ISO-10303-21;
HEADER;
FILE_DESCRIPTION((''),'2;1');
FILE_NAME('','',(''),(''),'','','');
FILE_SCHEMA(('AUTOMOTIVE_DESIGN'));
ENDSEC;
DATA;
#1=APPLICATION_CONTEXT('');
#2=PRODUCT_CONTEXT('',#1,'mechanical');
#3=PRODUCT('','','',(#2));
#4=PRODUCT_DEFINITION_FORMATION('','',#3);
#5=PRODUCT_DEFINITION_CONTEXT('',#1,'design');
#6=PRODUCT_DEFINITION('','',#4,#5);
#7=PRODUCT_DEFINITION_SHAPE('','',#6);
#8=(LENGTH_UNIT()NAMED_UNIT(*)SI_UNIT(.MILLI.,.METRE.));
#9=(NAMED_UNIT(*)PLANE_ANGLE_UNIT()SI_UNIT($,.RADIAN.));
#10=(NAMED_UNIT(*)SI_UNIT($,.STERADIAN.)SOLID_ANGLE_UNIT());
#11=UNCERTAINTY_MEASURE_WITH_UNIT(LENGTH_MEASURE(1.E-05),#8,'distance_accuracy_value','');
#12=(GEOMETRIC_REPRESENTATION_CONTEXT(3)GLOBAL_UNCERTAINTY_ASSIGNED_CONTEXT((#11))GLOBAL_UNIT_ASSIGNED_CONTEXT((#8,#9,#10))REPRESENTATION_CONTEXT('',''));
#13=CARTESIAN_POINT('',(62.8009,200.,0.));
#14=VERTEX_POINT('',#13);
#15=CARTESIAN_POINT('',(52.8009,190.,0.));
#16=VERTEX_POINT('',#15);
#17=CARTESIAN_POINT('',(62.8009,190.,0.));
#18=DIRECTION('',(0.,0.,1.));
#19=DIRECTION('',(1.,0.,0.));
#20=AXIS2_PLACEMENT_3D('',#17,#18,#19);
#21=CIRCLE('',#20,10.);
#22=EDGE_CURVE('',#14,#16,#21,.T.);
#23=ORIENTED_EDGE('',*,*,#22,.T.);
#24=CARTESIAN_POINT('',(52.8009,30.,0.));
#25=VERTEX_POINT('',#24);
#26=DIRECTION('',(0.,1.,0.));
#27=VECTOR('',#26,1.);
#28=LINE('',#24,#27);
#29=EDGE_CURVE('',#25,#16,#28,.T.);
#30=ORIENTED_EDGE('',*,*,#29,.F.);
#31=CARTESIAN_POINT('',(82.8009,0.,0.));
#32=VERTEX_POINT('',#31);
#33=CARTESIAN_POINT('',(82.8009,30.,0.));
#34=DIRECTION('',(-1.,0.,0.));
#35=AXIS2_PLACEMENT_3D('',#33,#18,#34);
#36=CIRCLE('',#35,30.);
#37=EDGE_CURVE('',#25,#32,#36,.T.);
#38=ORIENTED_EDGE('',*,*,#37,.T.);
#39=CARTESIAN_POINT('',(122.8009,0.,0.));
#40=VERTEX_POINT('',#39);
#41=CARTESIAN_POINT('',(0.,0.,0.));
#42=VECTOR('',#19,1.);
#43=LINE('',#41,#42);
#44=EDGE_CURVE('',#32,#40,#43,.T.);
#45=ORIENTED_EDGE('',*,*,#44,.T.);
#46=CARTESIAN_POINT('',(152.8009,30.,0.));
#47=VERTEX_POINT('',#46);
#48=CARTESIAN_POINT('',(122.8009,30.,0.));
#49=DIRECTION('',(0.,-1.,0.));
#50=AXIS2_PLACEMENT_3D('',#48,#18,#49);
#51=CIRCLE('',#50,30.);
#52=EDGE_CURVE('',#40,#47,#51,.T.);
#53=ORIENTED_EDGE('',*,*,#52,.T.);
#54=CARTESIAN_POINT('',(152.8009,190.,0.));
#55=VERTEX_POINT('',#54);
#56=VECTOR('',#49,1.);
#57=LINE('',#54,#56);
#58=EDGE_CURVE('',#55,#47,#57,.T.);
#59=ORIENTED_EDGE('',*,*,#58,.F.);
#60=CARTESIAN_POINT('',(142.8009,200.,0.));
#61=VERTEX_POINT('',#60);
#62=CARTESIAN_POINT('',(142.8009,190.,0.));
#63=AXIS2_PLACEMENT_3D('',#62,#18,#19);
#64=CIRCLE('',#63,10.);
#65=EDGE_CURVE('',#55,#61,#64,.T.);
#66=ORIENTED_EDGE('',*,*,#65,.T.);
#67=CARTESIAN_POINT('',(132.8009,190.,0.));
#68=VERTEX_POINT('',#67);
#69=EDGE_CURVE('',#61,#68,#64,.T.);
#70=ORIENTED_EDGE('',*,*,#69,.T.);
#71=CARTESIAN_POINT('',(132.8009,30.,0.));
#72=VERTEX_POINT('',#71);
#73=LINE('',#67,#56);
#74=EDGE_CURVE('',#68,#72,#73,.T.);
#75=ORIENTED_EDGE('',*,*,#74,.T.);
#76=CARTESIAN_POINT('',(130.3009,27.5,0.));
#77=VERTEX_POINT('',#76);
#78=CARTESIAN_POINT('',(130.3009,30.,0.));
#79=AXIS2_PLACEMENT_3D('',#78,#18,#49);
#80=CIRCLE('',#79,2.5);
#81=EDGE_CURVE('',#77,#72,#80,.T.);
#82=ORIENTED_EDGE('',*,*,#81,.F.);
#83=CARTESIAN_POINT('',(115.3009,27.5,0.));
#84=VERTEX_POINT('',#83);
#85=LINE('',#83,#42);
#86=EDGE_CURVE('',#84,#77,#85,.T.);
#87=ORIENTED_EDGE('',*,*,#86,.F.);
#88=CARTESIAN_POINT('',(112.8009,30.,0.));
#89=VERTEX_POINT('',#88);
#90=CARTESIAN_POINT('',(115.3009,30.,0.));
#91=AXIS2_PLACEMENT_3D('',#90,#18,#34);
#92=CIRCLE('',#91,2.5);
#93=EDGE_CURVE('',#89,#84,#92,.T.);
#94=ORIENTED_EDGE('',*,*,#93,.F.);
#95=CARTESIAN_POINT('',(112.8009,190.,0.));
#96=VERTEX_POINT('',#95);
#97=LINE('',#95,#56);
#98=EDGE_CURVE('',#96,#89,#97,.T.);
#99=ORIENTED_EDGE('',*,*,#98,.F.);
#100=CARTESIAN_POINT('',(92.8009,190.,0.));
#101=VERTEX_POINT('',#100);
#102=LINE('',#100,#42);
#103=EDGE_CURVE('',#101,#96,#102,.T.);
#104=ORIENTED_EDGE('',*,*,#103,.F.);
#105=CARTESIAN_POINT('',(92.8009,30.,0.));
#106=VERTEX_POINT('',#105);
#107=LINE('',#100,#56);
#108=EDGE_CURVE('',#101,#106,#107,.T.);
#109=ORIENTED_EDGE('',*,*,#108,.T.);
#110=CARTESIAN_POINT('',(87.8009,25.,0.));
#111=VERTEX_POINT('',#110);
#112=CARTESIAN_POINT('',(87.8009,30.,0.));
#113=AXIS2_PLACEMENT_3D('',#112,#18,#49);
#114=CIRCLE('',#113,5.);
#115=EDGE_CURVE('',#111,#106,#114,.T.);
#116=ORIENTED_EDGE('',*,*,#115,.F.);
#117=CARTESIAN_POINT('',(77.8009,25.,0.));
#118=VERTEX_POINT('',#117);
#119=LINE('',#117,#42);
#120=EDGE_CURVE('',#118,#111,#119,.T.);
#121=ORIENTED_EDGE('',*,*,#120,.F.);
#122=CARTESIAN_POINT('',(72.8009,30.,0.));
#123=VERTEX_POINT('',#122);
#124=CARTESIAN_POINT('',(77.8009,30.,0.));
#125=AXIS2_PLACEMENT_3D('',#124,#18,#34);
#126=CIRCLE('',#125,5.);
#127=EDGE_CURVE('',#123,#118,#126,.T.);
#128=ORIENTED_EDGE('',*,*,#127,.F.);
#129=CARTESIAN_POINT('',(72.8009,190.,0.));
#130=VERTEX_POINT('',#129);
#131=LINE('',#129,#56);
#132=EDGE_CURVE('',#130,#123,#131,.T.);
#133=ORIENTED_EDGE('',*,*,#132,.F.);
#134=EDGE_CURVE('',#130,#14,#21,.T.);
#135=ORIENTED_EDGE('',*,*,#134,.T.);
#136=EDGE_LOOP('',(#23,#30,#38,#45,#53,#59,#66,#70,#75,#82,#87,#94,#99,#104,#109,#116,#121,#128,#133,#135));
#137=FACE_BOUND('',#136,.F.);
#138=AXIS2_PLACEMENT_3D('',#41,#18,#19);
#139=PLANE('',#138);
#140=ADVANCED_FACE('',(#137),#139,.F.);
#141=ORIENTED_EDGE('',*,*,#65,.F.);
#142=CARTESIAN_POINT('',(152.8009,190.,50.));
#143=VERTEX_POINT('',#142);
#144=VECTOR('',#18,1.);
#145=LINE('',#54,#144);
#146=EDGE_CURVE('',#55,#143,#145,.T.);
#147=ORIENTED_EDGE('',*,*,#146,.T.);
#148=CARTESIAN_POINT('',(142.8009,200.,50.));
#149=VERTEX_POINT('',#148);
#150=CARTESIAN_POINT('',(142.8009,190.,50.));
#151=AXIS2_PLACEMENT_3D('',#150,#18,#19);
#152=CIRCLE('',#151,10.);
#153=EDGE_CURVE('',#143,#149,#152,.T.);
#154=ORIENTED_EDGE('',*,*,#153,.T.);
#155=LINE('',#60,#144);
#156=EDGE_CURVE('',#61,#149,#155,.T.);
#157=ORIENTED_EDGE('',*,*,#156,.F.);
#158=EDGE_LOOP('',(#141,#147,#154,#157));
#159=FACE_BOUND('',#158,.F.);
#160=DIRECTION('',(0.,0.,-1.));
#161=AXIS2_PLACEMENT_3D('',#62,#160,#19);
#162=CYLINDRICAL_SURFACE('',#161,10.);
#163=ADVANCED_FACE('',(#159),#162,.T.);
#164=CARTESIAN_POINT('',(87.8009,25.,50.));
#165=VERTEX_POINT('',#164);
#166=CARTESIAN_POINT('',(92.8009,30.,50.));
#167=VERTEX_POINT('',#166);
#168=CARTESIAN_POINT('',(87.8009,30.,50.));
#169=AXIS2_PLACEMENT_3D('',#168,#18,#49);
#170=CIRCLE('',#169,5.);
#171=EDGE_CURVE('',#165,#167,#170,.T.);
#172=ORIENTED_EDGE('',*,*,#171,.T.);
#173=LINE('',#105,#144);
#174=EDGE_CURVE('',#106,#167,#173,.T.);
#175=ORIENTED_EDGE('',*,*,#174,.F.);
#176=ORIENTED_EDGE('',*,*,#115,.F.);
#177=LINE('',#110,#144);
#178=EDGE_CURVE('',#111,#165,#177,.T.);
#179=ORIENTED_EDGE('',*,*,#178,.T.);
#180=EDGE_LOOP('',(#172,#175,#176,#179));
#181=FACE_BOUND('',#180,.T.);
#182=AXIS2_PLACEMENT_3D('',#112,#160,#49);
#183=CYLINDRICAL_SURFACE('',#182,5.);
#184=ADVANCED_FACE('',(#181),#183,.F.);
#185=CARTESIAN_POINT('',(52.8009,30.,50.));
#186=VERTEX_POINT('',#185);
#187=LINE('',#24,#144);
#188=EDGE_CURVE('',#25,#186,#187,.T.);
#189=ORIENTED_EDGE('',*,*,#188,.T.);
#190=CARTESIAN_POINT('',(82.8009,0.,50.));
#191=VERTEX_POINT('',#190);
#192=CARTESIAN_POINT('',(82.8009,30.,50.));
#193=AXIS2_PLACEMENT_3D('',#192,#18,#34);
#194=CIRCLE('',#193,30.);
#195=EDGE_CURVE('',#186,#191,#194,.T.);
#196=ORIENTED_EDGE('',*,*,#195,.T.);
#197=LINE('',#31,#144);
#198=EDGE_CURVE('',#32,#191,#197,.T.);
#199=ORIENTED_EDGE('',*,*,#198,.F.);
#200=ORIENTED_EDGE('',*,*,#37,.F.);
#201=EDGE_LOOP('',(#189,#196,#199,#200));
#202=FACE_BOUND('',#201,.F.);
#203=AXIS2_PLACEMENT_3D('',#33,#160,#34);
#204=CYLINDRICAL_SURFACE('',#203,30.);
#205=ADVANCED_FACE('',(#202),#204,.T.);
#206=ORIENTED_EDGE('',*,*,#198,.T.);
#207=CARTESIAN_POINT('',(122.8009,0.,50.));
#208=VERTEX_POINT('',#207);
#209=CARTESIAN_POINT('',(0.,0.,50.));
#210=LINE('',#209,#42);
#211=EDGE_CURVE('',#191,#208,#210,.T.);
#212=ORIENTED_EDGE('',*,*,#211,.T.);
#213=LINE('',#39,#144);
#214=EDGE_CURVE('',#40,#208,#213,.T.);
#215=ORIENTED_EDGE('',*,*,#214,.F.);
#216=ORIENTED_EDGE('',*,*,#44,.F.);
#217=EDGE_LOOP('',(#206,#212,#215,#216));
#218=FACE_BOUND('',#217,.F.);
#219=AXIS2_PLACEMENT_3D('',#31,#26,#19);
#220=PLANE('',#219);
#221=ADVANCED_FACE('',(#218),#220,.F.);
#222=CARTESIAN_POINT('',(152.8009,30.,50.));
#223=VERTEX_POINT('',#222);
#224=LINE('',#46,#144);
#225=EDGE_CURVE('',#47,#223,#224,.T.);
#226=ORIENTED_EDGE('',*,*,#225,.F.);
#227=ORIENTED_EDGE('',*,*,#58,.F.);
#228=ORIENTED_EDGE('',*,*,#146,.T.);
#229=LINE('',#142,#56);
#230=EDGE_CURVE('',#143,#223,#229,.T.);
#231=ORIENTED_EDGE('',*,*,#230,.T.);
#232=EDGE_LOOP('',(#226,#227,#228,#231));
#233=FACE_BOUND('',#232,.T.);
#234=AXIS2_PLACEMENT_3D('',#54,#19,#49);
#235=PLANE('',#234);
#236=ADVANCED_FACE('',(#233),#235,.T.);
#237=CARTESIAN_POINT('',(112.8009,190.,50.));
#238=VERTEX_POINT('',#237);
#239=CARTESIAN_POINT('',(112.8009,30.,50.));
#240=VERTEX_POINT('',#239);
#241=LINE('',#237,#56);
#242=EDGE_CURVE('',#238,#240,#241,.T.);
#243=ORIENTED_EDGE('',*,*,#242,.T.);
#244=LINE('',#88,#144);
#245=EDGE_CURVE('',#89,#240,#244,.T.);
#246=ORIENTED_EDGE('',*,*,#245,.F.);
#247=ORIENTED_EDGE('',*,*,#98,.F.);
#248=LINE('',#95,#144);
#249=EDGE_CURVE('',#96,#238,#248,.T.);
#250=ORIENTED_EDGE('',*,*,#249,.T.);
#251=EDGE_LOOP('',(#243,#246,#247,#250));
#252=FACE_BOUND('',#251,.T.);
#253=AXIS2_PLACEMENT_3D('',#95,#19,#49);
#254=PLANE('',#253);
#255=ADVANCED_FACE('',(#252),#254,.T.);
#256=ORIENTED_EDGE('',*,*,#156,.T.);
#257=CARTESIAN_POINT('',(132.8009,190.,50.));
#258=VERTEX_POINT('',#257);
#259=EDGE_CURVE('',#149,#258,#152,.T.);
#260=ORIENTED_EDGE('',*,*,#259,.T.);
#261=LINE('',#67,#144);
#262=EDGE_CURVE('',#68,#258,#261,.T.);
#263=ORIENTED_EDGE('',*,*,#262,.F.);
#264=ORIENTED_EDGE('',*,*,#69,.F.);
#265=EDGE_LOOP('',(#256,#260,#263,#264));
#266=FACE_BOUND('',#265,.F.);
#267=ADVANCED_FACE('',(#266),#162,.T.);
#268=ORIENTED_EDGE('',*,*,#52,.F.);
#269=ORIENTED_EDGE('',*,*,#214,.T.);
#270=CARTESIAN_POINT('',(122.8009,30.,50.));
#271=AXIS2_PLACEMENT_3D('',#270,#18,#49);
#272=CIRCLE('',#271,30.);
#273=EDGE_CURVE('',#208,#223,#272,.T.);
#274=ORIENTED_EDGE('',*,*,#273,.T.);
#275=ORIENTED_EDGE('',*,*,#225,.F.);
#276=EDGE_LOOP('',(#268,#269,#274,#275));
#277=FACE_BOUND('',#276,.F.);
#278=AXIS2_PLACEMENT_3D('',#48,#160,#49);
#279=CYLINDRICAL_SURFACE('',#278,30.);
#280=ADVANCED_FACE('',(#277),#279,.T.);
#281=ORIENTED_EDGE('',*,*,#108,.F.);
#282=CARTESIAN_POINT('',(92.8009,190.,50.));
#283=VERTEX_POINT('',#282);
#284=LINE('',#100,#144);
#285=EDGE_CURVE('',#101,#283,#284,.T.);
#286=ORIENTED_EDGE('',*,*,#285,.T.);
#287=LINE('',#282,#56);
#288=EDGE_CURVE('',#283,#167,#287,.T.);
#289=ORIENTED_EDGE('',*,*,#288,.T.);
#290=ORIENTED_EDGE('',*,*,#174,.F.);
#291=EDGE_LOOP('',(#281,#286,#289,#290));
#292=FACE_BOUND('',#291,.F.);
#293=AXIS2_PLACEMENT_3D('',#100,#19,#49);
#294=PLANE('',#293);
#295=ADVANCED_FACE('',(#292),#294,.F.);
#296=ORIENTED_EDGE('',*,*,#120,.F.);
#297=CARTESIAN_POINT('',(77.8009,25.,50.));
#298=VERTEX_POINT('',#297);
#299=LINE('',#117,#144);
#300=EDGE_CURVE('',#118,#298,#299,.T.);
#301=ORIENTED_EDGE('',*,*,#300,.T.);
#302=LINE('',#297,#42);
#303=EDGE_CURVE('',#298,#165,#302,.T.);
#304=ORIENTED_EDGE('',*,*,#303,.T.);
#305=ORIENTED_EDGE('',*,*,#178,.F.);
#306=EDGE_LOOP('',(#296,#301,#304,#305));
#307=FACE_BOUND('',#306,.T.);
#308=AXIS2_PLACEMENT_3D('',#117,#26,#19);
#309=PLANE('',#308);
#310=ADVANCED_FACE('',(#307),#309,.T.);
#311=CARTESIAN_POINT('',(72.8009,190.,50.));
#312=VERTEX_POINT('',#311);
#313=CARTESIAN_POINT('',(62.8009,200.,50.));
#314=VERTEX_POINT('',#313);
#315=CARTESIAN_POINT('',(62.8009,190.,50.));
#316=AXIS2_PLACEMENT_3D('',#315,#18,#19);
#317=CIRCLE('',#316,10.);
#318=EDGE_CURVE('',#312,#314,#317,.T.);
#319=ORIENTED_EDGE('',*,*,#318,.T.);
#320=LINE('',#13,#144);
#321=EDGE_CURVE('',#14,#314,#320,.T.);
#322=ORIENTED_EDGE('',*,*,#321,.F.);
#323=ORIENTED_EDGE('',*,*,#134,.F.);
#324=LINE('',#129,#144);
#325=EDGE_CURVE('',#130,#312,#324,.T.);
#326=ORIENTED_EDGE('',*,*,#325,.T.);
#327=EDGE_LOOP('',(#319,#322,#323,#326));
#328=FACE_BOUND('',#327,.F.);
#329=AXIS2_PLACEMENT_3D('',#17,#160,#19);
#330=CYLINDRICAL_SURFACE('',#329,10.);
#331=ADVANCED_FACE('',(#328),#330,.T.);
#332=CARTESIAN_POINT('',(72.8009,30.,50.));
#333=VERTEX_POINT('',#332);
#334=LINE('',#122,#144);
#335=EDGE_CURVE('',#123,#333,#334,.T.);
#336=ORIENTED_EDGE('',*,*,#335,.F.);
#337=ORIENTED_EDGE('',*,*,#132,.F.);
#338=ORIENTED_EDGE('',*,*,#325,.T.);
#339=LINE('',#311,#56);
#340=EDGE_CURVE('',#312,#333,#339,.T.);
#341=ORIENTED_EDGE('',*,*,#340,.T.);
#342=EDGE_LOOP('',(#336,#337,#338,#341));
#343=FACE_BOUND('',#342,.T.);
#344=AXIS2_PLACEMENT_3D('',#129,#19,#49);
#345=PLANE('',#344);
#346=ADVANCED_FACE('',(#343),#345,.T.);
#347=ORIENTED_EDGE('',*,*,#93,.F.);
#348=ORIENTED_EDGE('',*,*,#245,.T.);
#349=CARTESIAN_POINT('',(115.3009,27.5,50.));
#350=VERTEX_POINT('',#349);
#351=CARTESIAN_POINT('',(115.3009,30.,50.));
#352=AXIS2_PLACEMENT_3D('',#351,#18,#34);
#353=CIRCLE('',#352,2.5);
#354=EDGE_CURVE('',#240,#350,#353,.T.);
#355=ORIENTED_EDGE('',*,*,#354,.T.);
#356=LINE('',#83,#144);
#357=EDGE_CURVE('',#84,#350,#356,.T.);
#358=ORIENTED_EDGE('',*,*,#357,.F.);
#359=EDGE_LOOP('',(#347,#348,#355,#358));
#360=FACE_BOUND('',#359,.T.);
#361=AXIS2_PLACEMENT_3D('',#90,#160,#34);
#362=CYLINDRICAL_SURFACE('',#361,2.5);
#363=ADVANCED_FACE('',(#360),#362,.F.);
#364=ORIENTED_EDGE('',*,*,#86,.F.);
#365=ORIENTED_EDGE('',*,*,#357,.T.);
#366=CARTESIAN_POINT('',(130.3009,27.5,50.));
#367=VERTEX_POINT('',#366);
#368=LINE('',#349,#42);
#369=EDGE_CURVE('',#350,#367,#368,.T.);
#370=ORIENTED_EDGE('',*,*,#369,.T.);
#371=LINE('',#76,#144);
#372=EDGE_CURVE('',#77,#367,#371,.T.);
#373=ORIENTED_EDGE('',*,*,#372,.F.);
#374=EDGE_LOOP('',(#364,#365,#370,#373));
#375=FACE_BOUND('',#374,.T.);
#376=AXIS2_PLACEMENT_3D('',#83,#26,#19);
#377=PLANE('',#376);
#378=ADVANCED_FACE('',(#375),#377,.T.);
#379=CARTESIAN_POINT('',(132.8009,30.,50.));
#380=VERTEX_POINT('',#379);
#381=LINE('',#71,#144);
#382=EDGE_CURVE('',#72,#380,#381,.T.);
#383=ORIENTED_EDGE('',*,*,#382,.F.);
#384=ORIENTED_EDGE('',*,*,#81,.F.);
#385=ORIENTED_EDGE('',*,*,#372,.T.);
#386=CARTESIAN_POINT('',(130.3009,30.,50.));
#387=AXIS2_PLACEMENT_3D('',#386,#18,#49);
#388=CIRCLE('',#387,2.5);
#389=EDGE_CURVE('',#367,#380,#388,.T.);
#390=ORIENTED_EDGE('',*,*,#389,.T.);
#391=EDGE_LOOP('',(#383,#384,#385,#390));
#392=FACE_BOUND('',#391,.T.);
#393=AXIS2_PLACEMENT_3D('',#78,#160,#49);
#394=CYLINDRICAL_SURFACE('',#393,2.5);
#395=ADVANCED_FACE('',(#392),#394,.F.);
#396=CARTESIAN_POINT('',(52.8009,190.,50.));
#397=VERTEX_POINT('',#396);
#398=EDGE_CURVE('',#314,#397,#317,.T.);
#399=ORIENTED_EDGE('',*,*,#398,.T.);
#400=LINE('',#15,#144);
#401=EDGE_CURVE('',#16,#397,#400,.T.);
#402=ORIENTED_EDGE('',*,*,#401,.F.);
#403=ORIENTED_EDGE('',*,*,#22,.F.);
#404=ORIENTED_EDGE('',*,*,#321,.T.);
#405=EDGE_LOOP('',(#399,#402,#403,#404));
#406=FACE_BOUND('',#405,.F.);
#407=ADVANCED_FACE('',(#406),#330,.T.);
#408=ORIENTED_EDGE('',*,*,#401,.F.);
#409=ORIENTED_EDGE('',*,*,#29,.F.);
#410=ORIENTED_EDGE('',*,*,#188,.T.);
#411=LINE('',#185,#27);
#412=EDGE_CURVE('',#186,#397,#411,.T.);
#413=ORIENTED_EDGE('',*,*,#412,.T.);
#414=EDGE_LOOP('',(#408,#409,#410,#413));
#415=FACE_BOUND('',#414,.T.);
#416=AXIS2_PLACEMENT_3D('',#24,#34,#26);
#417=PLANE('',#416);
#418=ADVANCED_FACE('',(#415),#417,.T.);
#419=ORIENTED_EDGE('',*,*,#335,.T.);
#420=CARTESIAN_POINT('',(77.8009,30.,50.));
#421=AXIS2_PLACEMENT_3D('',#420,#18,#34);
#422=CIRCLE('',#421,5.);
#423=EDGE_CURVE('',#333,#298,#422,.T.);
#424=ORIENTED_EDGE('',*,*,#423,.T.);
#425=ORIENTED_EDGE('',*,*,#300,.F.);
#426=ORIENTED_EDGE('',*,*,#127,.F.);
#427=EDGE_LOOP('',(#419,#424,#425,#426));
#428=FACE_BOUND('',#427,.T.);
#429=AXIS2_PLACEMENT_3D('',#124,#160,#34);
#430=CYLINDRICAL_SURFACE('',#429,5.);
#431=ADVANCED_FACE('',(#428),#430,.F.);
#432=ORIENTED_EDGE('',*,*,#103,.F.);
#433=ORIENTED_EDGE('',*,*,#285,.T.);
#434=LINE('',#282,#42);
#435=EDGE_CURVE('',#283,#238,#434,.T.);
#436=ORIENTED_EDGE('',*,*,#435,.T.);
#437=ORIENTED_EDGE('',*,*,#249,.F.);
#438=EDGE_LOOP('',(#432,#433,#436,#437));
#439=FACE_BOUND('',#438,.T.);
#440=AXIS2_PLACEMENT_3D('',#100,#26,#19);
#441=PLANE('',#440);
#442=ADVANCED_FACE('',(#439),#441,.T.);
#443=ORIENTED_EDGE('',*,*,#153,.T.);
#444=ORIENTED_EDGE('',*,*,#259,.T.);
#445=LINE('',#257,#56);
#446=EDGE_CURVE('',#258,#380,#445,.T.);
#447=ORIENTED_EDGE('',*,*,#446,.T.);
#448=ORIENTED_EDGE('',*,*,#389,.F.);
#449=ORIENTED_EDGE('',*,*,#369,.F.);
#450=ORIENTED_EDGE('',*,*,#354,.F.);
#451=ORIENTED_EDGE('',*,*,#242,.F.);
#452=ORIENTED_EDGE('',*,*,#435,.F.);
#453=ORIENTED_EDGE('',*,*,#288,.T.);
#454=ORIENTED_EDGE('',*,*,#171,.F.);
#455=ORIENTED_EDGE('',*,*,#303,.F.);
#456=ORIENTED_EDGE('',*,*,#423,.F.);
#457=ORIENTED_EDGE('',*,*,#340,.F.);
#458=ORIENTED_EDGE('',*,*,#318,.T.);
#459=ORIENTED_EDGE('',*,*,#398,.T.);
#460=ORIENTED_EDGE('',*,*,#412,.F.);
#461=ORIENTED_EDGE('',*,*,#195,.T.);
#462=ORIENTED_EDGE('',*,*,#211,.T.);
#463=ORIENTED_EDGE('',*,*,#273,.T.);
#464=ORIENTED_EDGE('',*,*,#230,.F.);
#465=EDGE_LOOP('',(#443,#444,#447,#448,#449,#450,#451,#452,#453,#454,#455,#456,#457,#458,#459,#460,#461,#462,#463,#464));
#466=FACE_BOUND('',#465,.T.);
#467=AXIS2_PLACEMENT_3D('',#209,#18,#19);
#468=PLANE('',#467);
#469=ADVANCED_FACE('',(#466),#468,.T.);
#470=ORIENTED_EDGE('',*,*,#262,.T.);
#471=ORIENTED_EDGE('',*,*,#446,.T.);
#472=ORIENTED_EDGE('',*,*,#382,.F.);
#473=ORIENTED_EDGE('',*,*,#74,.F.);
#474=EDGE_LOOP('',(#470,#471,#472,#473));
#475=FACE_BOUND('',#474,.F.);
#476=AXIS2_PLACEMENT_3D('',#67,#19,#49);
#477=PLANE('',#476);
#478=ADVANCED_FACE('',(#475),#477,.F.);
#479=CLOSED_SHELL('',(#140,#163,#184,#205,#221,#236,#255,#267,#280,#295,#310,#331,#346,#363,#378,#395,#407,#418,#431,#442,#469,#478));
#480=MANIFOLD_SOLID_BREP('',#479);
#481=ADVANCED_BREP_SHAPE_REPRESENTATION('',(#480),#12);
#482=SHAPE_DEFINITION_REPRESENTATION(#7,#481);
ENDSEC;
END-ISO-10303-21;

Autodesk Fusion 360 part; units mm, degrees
sketch "Sketch1" plane through (0, 0, 0) normal (0, 0, 1) x (1, 0, 0)
  line L0 (0, 0) -> (200, 0)
  line L1 (200, 0) -> (200, 200)
  line L2 (200, 200) -> (0, 200)
  line L3 (0, 200) -> (0, 0)
  line L4 (52.8009, 30) -> (52.8009, 190)
  line L5 (72.8009, 190) -> (72.8009, 30)
  line L6 (112.8009, 190) -> (112.8009, 30)
  line L7 (132.8009, 190) -> (132.8009, 30)
  line L8 (152.8009, 190) -> (152.8009, 30)
  line L9 (52.8009, 190) -> (152.8009, 190) construction
  arc A0 (72.8009, 190) -> (52.8009, 190) centre (62.8009, 190) ccw
  arc A1 (152.8009, 190) -> (132.8009, 190) centre (142.8009, 190) ccw
  line L10 (92.8009, 190) -> (92.8009, 30)
  arc A2 (72.8009, 30) -> (92.8009, 30) centre (82.8009, 30) ccw construction
  arc A3 (112.8009, 30) -> (132.8009, 30) centre (122.8009, 30) ccw construction
  arc A4 (112.8009, 190) -> (92.8009, 190) centre (102.8009, 190) ccw construction
  arc A5 (52.8009, 30) -> (82.8009, 0) centre (82.8009, 30) ccw
  line L11 (92.8009, 190) -> (112.8009, 190)
  arc A6 (72.8009, 30) -> (77.8009, 25) centre (77.8009, 30) ccw
  arc A7 (87.8009, 25) -> (92.8009, 30) centre (87.8009, 30) ccw
  arc A8 (112.8009, 30) -> (115.3009, 27.5) centre (115.3009, 30) ccw
  arc A9 (130.3009, 27.5) -> (132.8009, 30) centre (130.3009, 30) ccw
  line L12 (77.8009, 25) -> (87.8009, 25)
  line L13 (115.3009, 27.5) -> (130.3009, 27.5)
  line L14 (82.8009, 0) -> (122.8009, 0)
  line L15 (52.8009, 30) -> (152.8009, 30) construction
  arc A10 (122.8009, 0) -> (152.8009, 30) centre (122.8009, 30) ccw
  dimension "d1" = 200
  dimension "d2" = 200
  dimension "d3" = 20
  dimension "d4" = 5
  dimension "d5" = 2.5
  dimension "d6" = 62.8009
extrude "Extrude2" add sketch "Sketch1" along normal blind 50 contours L0 L4 L5 L6 L7 L8 A0 A1 L10 A5 L11 A6 A7 A8 A9 L12 L13 L14 A10
